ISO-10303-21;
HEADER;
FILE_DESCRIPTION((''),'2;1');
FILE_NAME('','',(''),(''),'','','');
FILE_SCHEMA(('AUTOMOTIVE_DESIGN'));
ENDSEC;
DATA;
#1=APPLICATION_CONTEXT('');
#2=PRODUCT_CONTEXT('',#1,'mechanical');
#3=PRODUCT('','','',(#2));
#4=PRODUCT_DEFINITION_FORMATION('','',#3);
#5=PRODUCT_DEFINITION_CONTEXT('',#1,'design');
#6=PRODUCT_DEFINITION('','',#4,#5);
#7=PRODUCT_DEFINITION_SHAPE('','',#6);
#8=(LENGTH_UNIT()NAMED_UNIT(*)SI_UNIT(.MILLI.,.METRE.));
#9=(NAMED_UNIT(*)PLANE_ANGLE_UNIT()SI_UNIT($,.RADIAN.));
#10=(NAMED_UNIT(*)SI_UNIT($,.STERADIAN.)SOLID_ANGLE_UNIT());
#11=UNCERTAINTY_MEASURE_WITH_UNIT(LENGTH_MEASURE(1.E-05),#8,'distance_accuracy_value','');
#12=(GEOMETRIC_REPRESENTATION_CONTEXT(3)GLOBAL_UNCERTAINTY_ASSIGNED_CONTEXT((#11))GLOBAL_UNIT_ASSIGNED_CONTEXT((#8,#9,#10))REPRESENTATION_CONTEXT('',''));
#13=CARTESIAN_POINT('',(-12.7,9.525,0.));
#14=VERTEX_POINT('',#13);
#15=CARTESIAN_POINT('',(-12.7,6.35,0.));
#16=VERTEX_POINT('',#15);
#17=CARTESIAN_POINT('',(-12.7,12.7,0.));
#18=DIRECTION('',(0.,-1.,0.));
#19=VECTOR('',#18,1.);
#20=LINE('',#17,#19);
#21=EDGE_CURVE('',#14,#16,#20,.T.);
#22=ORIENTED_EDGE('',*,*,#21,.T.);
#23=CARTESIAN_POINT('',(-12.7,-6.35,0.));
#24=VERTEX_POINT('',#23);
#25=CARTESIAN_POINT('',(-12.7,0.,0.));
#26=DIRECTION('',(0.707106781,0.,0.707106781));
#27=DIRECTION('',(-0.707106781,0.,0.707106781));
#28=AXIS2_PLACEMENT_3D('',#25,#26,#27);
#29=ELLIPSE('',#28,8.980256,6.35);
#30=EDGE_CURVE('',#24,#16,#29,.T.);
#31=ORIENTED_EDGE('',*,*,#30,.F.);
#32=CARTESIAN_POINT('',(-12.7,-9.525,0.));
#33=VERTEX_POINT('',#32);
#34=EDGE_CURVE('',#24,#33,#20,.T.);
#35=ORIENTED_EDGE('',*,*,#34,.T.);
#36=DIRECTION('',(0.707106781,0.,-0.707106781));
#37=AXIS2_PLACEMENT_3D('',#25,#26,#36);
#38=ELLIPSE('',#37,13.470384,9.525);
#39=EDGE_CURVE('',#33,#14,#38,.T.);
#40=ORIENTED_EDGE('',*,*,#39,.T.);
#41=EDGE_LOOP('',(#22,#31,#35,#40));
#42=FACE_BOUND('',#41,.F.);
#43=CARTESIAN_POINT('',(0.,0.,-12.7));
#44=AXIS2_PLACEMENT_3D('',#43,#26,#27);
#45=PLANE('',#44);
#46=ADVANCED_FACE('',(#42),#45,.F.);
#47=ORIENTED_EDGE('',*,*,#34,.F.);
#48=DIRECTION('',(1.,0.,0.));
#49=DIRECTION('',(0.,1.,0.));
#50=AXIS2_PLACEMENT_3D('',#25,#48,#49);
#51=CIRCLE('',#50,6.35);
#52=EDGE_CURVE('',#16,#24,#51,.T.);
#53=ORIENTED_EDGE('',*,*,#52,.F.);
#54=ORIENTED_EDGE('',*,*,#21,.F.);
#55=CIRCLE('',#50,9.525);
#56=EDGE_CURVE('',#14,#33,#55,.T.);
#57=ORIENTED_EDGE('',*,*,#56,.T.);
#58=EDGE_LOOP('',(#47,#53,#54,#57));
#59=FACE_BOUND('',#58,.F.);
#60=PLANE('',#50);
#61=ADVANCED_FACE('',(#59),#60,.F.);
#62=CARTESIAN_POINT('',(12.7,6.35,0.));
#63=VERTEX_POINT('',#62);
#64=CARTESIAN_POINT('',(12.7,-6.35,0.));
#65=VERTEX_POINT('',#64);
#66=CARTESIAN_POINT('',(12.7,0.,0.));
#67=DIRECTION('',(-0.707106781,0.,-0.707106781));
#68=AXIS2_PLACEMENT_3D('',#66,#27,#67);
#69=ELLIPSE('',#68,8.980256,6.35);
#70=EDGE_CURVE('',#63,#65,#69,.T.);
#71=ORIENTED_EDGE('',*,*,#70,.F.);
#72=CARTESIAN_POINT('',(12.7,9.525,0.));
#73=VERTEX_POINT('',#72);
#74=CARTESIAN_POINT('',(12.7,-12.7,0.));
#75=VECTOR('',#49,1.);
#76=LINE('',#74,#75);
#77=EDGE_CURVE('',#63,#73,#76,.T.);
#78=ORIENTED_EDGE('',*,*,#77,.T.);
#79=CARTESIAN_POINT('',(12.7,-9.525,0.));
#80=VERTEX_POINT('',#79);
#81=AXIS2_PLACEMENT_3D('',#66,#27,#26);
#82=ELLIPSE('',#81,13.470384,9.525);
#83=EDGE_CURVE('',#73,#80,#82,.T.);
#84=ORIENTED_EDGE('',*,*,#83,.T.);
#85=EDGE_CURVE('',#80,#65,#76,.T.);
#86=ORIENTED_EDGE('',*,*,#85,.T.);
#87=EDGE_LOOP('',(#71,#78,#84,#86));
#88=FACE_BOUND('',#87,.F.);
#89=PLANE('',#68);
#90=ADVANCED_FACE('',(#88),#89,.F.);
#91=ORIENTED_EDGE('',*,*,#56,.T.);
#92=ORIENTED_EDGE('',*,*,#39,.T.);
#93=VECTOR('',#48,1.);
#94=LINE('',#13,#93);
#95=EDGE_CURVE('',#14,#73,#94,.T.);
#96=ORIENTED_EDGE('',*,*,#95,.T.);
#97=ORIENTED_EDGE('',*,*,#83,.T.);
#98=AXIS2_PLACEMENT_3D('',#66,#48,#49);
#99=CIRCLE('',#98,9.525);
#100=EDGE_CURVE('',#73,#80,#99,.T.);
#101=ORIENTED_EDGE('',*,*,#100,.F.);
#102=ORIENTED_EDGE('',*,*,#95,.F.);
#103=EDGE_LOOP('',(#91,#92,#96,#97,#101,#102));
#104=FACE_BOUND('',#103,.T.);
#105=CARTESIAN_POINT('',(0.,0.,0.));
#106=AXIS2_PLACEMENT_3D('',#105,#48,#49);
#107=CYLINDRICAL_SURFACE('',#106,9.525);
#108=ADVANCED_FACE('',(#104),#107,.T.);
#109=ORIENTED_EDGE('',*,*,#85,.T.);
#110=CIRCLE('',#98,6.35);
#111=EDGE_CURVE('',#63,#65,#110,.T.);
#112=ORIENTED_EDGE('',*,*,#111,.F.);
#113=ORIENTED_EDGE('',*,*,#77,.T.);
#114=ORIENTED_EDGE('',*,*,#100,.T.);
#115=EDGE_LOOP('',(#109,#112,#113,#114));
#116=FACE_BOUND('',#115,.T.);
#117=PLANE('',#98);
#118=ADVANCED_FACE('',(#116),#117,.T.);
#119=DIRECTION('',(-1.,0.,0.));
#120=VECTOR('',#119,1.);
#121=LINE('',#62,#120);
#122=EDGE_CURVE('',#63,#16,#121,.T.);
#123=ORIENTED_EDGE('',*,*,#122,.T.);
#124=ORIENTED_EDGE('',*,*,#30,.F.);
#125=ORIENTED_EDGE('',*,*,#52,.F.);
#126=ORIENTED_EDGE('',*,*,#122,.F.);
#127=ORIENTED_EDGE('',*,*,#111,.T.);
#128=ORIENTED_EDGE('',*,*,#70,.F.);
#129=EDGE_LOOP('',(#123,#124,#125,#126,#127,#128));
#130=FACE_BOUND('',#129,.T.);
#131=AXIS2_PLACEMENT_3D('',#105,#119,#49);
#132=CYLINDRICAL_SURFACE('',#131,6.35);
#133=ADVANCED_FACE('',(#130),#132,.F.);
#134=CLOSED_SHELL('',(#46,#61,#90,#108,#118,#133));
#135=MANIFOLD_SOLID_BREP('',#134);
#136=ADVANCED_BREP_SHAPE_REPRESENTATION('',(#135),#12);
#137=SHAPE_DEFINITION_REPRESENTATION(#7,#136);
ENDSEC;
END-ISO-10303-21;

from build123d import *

# Parameters (mm, degrees)
F0_R     = 9.525
F0_R_2   = 6.35
F1_DEPTH = 12.7
F3_DEPTH = 12.7


with BuildPart() as f1:
    # F0 (on Right) → F1 (new body, symmetric)
    with BuildSketch(Plane.YZ):
        Circle(F0_R)
        Circle(F0_R_2, mode=Mode.SUBTRACT)
    extrude(amount=F1_DEPTH, both=True)

    # F2 (on Front) → F3 (cut, symmetric)
    with BuildSketch(Plane.XZ):
        Polygon((0, -12.7), (-12.7, 0), (-25.757156, -46.106377), (50.3754, -47.463684), (12.7, 0), align=None)
    extrude(amount=F3_DEPTH, both=True, mode=Mode.SUBTRACT)


solid = f1.part
